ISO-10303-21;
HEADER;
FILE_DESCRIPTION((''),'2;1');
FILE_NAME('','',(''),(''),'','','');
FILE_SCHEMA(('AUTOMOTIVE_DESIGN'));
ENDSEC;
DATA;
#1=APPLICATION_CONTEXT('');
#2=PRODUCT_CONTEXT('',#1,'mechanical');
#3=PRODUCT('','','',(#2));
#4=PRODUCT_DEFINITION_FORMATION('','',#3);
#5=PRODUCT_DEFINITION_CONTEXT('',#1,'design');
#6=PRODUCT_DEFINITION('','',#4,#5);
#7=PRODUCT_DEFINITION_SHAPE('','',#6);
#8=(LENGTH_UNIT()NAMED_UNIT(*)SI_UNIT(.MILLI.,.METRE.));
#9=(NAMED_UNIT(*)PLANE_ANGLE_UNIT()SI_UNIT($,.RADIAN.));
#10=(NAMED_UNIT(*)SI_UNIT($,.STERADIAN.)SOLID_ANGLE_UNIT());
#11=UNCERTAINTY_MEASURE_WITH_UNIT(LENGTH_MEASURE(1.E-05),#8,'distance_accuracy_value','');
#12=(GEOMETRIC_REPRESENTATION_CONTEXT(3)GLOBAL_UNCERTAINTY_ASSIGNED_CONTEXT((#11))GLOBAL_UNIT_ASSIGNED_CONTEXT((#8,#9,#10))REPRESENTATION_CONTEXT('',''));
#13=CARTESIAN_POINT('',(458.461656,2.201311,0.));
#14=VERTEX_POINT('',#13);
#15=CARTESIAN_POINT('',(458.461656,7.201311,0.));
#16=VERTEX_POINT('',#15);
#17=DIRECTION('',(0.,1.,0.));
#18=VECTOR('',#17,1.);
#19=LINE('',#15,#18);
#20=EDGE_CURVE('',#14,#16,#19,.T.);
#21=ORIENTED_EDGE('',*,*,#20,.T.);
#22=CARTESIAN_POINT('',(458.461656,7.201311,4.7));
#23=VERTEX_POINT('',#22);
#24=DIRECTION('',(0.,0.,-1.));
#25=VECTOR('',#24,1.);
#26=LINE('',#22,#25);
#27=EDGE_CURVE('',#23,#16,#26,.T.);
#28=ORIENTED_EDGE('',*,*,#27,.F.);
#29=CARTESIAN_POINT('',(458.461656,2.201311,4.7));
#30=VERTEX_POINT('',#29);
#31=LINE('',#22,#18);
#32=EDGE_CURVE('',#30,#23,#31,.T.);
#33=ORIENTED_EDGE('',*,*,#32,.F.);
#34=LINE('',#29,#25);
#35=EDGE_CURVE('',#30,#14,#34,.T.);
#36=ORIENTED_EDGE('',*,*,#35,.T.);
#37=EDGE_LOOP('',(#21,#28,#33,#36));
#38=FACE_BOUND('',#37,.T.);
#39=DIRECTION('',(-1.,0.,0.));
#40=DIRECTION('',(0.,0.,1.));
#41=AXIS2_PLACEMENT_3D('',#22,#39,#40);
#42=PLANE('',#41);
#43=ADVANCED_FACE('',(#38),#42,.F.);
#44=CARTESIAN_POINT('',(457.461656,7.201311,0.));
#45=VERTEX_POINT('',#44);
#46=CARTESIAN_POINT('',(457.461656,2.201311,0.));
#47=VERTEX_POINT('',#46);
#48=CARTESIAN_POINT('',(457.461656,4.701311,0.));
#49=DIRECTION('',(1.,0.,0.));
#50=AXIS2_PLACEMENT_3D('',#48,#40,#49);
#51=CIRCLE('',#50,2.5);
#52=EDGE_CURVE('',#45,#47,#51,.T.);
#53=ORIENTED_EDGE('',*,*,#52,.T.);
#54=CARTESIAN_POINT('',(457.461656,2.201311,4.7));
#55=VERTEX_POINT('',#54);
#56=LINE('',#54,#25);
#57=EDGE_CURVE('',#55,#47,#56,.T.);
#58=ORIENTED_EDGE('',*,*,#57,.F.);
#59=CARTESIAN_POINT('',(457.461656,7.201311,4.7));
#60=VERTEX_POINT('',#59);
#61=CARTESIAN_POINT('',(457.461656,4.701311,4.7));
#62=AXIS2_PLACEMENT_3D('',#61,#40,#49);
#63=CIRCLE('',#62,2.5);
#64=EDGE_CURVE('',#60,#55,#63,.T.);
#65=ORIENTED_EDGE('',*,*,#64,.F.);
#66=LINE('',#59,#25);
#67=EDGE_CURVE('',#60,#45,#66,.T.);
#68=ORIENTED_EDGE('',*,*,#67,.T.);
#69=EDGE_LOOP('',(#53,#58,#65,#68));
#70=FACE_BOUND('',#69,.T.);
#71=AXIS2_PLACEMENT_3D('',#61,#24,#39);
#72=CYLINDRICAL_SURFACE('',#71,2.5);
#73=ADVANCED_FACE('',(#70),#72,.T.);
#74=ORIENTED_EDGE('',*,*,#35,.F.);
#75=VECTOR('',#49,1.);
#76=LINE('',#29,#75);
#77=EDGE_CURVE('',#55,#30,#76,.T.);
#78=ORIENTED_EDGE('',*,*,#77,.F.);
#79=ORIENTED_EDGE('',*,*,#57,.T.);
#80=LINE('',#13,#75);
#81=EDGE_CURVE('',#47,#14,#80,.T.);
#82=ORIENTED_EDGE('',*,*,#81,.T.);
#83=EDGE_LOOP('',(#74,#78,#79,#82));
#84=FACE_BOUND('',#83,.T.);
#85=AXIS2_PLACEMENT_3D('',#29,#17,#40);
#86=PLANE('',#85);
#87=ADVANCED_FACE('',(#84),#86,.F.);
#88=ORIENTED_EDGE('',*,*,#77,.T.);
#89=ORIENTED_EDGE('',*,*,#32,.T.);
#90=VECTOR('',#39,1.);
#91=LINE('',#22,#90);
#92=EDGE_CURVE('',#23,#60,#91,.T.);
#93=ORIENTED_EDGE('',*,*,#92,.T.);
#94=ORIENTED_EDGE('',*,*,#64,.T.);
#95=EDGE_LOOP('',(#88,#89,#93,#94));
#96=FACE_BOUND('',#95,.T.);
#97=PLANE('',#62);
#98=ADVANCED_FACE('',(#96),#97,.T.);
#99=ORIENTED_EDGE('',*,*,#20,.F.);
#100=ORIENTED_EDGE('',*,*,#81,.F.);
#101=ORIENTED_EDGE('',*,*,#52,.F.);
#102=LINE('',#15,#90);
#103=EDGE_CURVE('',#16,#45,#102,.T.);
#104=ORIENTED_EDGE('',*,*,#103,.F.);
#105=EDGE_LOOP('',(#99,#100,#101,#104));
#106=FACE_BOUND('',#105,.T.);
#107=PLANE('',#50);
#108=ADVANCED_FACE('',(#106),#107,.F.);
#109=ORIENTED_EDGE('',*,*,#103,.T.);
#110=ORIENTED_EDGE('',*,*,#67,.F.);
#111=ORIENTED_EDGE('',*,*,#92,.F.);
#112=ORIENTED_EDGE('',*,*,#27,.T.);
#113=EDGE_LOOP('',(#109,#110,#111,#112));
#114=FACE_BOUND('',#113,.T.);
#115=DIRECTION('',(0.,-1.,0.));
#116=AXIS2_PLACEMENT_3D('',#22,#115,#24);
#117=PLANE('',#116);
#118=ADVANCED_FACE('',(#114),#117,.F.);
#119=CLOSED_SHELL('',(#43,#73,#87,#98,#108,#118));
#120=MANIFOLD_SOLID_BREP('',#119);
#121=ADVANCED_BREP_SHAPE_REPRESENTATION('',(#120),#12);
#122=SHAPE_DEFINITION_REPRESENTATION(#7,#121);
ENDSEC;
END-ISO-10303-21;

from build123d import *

# Parameters (mm, degrees)
BOSS_EXTRUDE1_DEPTH = 4.7


with BuildPart() as part:
    # Sketch1 → Boss-Extrude1 (new body)
    with BuildSketch(Plane.XY):
        with BuildLine():
            Line((458.461656421, 7.201310859), (457.461656421, 7.201310859))
            ThreePointArc((457.461656421, 7.201310859), (454.961656421, 4.701310859), (457.461656421, 2.201310859))
            Line((457.461656421, 2.201310859), (458.461656421, 2.201310859))
            Line((458.461656421, 2.201310859), (458.461656421, 7.201310859))
        make_face()
    extrude(amount=BOSS_EXTRUDE1_DEPTH)


solid = part.part
